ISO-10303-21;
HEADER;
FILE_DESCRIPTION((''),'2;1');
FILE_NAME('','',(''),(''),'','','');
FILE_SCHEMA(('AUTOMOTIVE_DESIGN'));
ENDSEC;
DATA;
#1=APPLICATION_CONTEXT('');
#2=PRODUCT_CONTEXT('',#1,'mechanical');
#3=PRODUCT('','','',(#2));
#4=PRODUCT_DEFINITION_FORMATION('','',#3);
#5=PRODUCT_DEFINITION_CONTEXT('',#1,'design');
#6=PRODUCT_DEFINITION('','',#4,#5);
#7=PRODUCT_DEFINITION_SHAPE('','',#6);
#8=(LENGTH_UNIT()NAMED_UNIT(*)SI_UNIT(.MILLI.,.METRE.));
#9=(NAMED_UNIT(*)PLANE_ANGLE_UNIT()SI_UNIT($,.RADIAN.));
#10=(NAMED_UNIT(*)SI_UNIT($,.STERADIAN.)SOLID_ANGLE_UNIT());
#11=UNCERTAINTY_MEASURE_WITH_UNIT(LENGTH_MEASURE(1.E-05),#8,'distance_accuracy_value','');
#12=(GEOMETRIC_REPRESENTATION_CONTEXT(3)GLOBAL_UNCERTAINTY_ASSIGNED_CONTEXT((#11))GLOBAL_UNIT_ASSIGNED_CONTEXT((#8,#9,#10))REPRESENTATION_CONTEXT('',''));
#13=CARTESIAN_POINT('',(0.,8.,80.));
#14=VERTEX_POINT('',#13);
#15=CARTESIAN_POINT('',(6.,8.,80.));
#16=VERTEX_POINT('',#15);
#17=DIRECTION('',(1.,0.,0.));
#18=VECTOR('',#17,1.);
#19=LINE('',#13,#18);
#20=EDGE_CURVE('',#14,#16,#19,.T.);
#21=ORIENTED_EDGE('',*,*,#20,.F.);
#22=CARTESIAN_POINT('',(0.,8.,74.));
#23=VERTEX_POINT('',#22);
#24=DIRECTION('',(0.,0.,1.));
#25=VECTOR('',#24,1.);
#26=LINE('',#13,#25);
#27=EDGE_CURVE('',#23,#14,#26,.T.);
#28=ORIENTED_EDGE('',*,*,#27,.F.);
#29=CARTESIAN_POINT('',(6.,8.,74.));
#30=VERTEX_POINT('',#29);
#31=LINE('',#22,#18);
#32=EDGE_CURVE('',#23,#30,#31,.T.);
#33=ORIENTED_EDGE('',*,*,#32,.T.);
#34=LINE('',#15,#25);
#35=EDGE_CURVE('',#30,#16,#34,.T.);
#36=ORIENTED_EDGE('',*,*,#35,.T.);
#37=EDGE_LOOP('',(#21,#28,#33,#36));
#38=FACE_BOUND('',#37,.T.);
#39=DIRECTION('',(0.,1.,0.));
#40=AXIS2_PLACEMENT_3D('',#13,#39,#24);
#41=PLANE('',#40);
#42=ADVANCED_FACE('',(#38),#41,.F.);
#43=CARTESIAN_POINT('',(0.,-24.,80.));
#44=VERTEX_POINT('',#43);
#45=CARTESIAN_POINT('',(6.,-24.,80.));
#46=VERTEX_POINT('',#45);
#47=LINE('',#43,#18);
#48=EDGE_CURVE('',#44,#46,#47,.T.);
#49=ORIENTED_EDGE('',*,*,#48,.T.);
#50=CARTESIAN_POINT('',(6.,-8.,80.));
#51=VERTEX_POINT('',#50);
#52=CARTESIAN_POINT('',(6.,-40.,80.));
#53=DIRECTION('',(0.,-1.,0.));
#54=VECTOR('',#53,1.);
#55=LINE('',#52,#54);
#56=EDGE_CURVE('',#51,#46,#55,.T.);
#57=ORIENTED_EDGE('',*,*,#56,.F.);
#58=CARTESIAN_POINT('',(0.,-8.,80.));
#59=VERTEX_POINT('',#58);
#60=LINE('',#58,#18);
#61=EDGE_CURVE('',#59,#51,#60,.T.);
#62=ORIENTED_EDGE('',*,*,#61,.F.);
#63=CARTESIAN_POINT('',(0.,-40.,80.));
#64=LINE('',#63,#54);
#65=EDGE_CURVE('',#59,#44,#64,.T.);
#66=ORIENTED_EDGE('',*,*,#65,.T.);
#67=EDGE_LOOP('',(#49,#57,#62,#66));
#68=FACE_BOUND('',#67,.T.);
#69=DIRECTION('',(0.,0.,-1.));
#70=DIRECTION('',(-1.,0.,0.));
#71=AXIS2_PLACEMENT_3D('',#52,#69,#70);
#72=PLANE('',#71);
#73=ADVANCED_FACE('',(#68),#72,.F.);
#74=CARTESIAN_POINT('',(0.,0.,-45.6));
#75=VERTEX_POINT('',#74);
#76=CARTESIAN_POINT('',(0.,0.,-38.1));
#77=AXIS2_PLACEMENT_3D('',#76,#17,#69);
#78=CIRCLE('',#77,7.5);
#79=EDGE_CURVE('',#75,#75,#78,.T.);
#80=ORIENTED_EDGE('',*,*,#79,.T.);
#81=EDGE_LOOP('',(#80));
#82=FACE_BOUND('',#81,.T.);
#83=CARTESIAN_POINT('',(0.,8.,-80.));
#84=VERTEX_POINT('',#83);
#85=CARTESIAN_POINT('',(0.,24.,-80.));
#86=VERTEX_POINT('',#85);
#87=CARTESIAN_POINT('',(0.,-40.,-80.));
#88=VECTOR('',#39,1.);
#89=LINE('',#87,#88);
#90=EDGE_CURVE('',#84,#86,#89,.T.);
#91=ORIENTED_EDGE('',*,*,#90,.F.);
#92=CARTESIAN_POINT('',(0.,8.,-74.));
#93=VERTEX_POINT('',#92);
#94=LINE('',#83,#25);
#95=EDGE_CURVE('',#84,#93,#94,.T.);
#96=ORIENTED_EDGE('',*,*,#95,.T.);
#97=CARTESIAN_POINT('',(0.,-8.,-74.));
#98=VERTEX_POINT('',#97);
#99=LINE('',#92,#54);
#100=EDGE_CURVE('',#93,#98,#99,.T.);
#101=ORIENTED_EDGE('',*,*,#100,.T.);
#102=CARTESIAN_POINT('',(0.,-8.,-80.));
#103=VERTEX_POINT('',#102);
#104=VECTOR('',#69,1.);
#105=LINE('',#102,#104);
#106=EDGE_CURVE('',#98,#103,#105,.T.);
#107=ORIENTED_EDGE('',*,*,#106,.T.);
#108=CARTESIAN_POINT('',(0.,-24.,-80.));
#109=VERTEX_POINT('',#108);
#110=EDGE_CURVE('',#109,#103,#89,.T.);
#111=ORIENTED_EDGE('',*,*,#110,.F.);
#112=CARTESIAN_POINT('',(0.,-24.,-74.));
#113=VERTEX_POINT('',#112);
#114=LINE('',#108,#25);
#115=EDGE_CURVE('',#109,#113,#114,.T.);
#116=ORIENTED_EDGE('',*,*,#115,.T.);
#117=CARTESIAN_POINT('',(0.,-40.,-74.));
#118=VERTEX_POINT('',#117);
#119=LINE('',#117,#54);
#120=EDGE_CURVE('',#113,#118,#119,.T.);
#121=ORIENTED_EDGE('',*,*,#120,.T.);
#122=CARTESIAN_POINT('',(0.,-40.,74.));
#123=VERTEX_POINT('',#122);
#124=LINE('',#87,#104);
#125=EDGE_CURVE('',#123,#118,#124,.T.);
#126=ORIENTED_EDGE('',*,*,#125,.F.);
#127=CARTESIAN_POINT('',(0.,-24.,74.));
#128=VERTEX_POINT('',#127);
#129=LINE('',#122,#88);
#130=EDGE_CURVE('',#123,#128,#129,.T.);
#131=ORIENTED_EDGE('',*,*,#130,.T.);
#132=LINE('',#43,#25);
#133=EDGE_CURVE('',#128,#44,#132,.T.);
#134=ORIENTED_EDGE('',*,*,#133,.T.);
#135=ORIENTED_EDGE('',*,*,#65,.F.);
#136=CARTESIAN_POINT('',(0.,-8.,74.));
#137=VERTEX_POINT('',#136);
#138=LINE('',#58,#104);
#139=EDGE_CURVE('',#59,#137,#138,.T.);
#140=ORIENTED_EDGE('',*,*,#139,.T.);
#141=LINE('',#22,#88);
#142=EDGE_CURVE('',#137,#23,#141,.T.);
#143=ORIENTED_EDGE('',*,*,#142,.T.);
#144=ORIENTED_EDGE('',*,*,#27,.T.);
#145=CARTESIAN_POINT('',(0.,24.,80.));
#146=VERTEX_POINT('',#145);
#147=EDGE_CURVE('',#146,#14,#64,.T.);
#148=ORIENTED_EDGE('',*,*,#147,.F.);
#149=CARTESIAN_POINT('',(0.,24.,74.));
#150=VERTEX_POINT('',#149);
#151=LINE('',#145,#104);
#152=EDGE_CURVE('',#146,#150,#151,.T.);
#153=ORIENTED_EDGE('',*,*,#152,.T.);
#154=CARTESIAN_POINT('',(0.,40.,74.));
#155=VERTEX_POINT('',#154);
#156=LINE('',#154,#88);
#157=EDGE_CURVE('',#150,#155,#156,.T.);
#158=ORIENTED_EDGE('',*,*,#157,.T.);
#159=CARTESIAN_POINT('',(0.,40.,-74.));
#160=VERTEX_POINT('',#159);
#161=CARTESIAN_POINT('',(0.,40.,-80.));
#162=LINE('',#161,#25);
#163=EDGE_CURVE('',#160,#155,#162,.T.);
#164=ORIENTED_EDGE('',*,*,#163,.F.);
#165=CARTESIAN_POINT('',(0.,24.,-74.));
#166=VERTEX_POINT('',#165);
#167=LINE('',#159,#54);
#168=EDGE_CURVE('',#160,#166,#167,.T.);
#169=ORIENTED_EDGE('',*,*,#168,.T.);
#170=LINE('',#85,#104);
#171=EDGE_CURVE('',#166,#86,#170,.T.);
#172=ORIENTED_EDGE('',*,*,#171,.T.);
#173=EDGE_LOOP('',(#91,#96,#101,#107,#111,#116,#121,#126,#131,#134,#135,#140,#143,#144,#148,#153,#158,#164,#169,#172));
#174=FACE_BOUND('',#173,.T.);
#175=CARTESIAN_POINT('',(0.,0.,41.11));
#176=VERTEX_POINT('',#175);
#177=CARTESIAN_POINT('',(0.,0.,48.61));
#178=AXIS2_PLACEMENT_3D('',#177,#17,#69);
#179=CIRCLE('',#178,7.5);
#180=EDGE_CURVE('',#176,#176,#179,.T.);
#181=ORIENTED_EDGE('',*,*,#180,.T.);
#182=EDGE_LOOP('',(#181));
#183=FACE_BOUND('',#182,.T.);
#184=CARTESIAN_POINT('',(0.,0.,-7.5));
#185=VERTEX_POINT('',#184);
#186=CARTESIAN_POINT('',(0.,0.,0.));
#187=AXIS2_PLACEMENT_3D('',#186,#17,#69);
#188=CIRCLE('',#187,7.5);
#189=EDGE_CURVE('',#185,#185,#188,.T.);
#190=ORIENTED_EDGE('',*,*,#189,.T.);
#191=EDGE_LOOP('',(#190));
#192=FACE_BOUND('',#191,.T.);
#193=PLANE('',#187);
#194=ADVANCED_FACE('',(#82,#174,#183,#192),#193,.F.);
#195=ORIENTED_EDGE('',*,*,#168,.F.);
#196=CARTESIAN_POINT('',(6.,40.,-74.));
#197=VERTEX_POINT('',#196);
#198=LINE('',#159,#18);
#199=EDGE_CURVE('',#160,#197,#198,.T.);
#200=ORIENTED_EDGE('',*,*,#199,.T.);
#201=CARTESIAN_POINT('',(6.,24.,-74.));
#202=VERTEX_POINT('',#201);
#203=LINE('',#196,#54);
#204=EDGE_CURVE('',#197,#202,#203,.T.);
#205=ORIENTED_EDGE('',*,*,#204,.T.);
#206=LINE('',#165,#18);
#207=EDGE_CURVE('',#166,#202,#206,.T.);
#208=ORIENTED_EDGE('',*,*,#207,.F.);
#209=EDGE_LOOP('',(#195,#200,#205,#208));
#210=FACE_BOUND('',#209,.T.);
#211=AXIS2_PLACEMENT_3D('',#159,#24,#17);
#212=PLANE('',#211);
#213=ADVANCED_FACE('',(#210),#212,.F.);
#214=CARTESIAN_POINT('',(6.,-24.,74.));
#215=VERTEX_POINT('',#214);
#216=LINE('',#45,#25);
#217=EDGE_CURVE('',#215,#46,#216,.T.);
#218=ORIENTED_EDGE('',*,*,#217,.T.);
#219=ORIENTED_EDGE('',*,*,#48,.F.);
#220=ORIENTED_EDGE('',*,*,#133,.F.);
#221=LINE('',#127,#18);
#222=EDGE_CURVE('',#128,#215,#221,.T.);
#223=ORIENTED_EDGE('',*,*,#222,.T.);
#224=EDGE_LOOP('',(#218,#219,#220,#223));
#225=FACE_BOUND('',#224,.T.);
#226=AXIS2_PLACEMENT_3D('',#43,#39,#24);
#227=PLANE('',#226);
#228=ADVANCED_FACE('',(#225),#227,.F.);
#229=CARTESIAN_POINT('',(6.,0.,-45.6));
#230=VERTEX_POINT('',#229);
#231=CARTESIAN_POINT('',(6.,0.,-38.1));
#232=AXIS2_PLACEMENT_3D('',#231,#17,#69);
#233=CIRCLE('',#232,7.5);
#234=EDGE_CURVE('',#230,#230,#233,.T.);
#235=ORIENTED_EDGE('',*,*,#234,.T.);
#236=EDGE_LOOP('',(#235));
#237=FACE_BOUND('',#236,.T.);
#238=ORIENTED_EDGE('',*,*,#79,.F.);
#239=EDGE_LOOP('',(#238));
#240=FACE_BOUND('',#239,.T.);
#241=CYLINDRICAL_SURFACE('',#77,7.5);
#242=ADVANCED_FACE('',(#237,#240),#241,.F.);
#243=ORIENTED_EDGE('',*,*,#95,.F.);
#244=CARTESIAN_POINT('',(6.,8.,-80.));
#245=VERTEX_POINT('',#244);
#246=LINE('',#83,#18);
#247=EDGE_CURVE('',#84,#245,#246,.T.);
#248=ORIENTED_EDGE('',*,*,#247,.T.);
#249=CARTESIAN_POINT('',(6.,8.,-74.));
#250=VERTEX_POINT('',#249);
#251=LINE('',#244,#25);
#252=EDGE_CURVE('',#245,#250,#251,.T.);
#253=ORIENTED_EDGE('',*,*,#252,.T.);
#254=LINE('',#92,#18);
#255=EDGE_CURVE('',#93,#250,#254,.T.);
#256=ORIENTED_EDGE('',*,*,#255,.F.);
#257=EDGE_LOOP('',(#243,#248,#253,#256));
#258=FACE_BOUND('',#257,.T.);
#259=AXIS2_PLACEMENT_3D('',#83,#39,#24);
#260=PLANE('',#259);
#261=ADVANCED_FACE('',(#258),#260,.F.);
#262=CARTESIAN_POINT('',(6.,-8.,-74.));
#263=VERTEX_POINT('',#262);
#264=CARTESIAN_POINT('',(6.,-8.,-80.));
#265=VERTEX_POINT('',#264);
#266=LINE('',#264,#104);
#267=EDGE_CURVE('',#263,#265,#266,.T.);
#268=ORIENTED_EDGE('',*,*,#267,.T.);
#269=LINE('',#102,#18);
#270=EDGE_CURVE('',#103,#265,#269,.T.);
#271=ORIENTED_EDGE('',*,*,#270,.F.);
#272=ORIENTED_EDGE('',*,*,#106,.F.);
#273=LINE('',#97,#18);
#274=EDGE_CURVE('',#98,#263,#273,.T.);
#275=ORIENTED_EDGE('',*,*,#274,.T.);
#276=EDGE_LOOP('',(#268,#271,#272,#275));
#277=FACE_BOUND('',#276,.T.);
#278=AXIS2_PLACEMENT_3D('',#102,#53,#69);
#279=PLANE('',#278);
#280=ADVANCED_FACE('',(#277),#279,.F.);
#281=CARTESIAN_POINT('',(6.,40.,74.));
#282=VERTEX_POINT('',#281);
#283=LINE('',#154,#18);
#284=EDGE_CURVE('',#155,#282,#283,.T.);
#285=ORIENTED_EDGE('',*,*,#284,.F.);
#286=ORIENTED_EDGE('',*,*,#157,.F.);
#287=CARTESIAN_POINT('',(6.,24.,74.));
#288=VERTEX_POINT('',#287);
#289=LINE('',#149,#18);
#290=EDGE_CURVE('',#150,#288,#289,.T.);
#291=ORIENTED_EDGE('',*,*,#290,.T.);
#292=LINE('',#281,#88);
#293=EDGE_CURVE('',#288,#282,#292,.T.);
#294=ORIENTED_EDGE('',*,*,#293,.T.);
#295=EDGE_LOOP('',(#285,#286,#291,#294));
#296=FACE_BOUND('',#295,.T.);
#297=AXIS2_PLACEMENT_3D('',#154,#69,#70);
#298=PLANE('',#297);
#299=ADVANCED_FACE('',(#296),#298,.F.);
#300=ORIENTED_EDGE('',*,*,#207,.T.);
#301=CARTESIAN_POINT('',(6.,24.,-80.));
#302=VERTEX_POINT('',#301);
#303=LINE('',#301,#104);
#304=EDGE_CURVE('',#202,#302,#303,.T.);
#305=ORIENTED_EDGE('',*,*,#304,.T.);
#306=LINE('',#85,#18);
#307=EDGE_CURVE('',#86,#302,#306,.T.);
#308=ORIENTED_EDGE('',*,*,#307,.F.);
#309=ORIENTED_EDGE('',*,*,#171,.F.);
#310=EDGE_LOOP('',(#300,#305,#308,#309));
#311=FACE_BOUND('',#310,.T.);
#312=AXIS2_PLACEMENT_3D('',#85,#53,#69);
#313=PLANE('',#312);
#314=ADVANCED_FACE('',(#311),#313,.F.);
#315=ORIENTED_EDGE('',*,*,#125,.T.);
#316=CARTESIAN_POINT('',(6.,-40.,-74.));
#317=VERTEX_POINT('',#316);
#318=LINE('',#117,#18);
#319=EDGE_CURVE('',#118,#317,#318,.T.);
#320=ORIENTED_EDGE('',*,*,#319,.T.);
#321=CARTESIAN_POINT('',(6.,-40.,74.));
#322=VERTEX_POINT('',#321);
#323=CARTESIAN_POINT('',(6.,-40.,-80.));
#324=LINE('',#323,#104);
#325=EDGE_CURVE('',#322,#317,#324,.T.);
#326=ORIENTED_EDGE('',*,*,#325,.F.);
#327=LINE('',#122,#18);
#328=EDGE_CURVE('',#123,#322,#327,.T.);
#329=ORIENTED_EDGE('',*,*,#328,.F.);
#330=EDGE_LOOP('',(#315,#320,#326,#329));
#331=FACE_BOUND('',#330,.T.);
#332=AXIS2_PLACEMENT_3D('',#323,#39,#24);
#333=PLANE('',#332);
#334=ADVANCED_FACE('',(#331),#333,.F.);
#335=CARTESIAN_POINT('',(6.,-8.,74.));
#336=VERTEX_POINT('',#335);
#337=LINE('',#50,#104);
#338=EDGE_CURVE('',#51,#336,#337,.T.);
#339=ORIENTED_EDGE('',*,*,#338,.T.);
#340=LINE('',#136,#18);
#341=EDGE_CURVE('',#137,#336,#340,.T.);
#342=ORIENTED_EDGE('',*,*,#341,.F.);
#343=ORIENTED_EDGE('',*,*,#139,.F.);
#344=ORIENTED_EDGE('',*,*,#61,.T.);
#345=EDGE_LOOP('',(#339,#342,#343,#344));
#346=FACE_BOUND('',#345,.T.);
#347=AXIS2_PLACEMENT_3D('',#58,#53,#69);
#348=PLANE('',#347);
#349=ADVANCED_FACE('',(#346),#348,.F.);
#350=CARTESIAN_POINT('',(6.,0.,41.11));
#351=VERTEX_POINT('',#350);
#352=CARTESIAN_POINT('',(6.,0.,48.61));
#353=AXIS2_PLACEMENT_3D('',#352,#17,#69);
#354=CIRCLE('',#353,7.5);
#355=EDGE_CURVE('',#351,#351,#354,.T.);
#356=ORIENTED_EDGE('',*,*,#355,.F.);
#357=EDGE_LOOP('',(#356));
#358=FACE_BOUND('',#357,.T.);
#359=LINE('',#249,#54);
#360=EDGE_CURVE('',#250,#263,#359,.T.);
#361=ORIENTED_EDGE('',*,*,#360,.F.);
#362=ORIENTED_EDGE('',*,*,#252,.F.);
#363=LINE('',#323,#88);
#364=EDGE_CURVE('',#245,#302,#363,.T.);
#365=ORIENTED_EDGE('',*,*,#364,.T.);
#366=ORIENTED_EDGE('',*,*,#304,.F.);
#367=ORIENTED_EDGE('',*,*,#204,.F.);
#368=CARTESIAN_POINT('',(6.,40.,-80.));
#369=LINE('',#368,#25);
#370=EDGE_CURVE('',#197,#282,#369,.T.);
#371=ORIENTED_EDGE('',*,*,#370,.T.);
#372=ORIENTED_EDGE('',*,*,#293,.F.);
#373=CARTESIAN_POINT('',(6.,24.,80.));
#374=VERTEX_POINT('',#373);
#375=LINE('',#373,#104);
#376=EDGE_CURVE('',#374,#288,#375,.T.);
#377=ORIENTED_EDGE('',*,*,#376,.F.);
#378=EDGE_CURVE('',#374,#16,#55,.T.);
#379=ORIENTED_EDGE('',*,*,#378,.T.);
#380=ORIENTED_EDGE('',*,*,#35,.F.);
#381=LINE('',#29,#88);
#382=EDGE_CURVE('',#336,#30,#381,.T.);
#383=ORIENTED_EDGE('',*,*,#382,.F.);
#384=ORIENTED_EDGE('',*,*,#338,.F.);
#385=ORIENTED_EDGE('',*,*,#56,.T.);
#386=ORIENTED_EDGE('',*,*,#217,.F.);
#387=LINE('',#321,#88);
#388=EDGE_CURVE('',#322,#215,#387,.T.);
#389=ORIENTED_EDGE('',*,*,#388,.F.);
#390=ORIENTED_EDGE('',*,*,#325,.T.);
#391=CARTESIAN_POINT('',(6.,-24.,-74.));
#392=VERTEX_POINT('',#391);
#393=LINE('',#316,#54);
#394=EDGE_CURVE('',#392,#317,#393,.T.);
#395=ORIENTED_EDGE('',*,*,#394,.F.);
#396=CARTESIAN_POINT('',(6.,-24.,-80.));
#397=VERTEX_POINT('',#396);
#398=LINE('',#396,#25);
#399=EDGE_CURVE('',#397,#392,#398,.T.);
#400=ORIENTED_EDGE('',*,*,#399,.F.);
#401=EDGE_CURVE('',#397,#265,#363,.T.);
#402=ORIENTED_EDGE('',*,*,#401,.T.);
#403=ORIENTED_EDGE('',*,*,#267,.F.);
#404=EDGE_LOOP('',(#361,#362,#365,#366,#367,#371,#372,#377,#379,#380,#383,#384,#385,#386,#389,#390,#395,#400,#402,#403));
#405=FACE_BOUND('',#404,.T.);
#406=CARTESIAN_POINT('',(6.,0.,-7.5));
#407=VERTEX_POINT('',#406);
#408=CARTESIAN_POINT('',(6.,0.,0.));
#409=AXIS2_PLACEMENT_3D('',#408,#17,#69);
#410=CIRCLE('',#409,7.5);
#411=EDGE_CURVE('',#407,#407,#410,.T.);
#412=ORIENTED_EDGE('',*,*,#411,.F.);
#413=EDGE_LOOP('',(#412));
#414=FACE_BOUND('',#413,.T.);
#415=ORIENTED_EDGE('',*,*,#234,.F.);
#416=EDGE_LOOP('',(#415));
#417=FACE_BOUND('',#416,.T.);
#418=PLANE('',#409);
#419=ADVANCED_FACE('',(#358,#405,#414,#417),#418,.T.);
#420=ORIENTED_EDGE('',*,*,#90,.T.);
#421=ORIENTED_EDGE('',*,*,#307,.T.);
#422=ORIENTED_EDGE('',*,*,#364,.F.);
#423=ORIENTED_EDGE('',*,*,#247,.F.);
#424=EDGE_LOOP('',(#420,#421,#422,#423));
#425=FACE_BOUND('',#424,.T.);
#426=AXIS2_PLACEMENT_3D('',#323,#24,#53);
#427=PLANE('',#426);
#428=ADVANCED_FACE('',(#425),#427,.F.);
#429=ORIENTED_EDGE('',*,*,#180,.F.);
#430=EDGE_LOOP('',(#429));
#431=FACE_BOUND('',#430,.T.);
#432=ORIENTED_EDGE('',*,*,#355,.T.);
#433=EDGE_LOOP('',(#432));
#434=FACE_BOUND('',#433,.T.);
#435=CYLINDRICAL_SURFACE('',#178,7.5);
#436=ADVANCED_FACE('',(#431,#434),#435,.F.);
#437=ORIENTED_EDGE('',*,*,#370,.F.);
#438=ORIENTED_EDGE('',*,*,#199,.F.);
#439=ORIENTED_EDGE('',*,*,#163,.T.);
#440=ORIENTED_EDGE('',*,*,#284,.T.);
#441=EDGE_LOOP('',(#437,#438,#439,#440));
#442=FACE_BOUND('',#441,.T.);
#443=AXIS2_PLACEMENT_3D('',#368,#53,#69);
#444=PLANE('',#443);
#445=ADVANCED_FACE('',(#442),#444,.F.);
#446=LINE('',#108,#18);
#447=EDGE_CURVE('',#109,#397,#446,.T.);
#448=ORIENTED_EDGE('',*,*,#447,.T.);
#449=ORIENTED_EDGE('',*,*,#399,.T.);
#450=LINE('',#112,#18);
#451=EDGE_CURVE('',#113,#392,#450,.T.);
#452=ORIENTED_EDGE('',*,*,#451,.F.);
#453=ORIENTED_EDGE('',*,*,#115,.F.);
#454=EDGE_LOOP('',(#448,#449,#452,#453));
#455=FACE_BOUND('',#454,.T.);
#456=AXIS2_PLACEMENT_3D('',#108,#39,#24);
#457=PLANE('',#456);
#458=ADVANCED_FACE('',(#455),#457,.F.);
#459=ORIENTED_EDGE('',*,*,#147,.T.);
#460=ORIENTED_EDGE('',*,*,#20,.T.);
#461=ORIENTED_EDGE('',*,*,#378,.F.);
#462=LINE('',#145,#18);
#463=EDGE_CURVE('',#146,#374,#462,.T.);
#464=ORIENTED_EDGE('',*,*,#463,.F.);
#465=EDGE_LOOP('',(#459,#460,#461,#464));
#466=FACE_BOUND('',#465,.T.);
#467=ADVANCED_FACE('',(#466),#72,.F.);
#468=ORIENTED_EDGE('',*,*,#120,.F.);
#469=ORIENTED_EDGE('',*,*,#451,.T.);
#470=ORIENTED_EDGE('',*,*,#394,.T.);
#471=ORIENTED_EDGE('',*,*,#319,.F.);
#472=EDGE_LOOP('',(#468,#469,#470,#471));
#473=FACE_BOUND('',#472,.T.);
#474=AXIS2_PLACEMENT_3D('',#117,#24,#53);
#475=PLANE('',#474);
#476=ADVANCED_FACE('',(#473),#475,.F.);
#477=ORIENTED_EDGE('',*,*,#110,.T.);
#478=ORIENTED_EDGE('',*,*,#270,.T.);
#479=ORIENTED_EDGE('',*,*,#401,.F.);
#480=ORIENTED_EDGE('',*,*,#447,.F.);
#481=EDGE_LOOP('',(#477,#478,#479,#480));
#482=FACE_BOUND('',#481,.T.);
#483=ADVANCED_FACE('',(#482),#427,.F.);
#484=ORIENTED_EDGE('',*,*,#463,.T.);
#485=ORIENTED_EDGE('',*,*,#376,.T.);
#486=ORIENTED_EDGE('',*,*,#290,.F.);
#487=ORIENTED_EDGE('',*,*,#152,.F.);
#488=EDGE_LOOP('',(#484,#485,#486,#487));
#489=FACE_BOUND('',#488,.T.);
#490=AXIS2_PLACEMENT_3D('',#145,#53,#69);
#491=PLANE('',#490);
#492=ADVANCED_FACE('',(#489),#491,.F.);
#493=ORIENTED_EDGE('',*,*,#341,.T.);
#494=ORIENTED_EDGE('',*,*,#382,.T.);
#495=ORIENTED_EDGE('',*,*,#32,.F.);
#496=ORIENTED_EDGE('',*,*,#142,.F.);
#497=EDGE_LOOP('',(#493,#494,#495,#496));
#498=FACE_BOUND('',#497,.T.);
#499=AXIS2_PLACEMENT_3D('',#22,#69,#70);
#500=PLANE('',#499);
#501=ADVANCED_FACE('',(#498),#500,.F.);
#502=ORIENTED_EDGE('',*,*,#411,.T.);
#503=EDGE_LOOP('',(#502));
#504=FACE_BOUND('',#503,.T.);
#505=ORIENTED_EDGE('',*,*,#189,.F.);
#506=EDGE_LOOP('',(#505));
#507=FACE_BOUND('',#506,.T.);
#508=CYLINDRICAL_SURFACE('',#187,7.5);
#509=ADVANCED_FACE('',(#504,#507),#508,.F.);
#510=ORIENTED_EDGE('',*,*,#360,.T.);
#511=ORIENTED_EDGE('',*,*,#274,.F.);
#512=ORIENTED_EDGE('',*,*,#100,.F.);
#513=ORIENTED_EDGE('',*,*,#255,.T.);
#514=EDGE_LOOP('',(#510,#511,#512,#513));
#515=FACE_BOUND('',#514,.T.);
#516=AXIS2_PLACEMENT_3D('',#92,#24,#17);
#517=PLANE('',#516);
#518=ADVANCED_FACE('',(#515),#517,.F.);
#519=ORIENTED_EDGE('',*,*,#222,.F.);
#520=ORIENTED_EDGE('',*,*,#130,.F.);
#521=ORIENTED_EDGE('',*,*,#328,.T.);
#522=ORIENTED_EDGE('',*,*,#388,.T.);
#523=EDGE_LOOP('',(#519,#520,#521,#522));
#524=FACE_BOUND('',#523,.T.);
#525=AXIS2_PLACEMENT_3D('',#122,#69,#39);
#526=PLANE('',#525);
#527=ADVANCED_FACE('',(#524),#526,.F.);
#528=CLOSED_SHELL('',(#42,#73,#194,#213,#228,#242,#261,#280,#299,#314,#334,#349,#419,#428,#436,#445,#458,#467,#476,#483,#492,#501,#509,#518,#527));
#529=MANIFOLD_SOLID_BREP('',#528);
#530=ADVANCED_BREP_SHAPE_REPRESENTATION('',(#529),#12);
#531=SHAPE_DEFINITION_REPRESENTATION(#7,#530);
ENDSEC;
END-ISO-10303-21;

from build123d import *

# Parameters (mm, degrees)
CROQUIS1_W              = 160
CROQUIS1_H              = 80
SALIENTE_EXTRUIR1_DEPTH = 6
CROQUIS2_R              = 7.5
CORTAR_EXTRUIR1_DEPTH   = 6
CROQUIS3_W              = 6
CROQUIS3_H              = 16
CORTAR_EXTRUIR2_DEPTH   = 6


with BuildPart() as part:
    # Croquis1 → Saliente-Extruir1 (new body)
    with BuildSketch(Plane(origin=(0, 0, 0), x_dir=(0, 0, -1), z_dir=(1, 0, 0))):
        Rectangle(CROQUIS1_W, CROQUIS1_H)
    extrude(amount=SALIENTE_EXTRUIR1_DEPTH)

    # Croquis2 → Cortar-Extruir1 (cut)
    with BuildSketch(Plane(origin=(6, 0, 0), x_dir=(0, 0, -1), z_dir=(1, 0, 0))):
        with Locations((-48.61, 0)):
            Circle(CROQUIS2_R)
        Circle(CROQUIS2_R)
        with Locations((38.1, 0)):
            Circle(CROQUIS2_R)
    extrude(amount=-CORTAR_EXTRUIR1_DEPTH, mode=Mode.SUBTRACT)

    # Croquis3 → Cortar-Extruir2 (cut)
    with BuildSketch(Plane(origin=(6, 0, 0), x_dir=(0, 0, -1), z_dir=(1, 0, 0))):
        with Locations((-77, 32)):
            Rectangle(CROQUIS3_W, CROQUIS3_H)
        with Locations((-77, -32)):
            Rectangle(CROQUIS3_W, CROQUIS3_H)
        with Locations((77, -32)):
            Rectangle(CROQUIS3_W, CROQUIS3_H)
        with Locations((77, 32)):
            Rectangle(CROQUIS3_W, CROQUIS3_H)
        with Locations((77, 0)):
            Rectangle(CROQUIS3_W, CROQUIS3_H)
        with Locations((-77, 0)):
            Rectangle(CROQUIS3_W, CROQUIS3_H)
    extrude(amount=-CORTAR_EXTRUIR2_DEPTH, mode=Mode.SUBTRACT)


solid = part.part
